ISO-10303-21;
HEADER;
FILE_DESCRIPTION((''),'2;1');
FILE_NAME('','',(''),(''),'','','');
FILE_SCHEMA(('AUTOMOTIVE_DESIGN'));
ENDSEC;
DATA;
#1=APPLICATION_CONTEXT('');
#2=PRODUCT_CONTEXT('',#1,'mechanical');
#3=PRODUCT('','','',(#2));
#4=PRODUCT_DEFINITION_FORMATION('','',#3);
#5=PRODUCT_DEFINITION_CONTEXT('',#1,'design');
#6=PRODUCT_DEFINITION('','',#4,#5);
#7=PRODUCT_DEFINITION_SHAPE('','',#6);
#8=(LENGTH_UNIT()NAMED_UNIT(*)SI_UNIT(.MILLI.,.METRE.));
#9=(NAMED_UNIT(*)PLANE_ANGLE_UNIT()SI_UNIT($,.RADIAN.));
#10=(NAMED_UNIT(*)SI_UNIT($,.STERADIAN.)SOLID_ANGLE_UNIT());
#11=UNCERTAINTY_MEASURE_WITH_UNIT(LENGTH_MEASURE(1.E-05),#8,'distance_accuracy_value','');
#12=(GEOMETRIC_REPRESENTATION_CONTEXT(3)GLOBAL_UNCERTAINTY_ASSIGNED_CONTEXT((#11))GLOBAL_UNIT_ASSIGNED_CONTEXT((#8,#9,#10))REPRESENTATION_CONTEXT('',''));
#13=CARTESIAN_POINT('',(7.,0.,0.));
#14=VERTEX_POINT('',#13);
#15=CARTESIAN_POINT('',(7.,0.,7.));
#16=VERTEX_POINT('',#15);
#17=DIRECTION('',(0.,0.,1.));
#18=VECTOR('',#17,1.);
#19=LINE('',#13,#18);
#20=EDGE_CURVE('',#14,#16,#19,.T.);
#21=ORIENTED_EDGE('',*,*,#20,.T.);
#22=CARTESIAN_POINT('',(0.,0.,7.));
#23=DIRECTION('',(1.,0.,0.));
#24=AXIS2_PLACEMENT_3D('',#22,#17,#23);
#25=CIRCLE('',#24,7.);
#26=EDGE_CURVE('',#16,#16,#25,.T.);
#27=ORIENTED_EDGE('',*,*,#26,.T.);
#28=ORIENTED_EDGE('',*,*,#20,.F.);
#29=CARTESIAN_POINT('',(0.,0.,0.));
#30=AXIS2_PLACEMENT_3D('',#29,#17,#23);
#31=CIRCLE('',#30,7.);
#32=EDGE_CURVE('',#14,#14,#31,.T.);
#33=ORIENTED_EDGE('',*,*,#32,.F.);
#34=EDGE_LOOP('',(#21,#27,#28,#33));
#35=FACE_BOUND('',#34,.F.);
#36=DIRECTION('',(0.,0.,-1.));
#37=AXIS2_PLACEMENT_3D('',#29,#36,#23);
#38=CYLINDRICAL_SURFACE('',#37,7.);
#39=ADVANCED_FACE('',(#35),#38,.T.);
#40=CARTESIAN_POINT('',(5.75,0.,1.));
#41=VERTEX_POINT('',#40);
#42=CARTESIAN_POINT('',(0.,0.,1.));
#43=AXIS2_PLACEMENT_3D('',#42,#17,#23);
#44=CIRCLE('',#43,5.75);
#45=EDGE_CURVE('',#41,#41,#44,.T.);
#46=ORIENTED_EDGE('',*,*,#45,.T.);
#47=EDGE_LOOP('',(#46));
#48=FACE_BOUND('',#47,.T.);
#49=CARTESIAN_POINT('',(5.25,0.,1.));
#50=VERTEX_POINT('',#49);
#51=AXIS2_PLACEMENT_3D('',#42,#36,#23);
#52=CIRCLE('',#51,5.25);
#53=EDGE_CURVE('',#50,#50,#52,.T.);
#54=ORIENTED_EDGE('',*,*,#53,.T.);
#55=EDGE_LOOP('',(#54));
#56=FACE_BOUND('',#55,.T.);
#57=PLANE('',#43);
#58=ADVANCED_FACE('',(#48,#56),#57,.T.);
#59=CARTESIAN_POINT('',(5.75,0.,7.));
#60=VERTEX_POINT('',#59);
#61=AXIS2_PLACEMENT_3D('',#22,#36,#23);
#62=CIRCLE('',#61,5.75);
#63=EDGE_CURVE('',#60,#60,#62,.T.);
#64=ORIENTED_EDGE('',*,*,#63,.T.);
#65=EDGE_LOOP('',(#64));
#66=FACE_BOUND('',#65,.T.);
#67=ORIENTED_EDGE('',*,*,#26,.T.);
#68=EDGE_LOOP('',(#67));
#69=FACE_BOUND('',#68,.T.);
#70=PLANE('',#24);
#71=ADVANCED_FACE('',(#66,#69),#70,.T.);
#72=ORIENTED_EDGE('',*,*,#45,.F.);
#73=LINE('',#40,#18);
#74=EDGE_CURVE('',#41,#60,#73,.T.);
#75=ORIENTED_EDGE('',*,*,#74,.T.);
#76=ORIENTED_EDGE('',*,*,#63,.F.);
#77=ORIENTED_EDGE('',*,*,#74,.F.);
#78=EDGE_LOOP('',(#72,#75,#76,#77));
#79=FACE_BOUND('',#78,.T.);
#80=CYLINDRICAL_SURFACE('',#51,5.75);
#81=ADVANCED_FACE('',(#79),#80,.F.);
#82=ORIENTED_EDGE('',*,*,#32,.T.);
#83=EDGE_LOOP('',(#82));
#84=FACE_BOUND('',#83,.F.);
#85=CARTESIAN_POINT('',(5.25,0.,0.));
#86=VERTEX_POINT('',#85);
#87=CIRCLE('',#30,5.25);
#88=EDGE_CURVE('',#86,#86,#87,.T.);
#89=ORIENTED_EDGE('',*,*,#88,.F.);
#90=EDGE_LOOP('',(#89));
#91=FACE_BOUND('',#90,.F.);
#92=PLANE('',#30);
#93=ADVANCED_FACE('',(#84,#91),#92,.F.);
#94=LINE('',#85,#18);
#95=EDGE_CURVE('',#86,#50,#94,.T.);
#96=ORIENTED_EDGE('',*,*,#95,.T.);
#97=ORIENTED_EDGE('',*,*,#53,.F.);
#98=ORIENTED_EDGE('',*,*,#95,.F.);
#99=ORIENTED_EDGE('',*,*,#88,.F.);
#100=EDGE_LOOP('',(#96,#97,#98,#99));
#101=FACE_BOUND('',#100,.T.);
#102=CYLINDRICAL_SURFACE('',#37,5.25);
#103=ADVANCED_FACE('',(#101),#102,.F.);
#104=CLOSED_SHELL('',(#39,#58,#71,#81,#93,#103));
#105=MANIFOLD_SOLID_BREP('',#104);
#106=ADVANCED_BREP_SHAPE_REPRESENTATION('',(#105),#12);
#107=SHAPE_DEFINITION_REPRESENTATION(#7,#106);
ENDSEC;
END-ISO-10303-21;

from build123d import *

# Parameters (mm, degrees)
CYLINDER005_R     = 5.25
CYLINDER005_DEPTH = 10
CYLINDER003_R     = 5.75
CYLINDER003_DEPTH = 10
CYLINDER004_R     = 7
CYLINDER004_DEPTH = 7


with BuildPart() as holderlenssmall:
    # Cylinder005 → Cylinder005 (new body)
    with BuildSketch(Plane.XY):
        Circle(CYLINDER005_R)
    extrude(amount=CYLINDER005_DEPTH)


with BuildPart() as holderlens:
    # Cylinder003 → Cylinder003 (new body)
    with BuildSketch(Plane.XY.offset(1)):
        Circle(CYLINDER003_R)
    extrude(amount=CYLINDER003_DEPTH)


with BuildPart() as lensholder01:
    # Cylinder004 → Cylinder004 (new body)
    with BuildSketch(Plane.XY):
        Circle(CYLINDER004_R)
    extrude(amount=CYLINDER004_DEPTH)

    # Cut003: cut HolderLens
    add(holderlens.part, mode=Mode.SUBTRACT)

    # Cut004: cut HolderLensSmall
    add(holderlenssmall.part, mode=Mode.SUBTRACT)


solid = lensholder01.part
